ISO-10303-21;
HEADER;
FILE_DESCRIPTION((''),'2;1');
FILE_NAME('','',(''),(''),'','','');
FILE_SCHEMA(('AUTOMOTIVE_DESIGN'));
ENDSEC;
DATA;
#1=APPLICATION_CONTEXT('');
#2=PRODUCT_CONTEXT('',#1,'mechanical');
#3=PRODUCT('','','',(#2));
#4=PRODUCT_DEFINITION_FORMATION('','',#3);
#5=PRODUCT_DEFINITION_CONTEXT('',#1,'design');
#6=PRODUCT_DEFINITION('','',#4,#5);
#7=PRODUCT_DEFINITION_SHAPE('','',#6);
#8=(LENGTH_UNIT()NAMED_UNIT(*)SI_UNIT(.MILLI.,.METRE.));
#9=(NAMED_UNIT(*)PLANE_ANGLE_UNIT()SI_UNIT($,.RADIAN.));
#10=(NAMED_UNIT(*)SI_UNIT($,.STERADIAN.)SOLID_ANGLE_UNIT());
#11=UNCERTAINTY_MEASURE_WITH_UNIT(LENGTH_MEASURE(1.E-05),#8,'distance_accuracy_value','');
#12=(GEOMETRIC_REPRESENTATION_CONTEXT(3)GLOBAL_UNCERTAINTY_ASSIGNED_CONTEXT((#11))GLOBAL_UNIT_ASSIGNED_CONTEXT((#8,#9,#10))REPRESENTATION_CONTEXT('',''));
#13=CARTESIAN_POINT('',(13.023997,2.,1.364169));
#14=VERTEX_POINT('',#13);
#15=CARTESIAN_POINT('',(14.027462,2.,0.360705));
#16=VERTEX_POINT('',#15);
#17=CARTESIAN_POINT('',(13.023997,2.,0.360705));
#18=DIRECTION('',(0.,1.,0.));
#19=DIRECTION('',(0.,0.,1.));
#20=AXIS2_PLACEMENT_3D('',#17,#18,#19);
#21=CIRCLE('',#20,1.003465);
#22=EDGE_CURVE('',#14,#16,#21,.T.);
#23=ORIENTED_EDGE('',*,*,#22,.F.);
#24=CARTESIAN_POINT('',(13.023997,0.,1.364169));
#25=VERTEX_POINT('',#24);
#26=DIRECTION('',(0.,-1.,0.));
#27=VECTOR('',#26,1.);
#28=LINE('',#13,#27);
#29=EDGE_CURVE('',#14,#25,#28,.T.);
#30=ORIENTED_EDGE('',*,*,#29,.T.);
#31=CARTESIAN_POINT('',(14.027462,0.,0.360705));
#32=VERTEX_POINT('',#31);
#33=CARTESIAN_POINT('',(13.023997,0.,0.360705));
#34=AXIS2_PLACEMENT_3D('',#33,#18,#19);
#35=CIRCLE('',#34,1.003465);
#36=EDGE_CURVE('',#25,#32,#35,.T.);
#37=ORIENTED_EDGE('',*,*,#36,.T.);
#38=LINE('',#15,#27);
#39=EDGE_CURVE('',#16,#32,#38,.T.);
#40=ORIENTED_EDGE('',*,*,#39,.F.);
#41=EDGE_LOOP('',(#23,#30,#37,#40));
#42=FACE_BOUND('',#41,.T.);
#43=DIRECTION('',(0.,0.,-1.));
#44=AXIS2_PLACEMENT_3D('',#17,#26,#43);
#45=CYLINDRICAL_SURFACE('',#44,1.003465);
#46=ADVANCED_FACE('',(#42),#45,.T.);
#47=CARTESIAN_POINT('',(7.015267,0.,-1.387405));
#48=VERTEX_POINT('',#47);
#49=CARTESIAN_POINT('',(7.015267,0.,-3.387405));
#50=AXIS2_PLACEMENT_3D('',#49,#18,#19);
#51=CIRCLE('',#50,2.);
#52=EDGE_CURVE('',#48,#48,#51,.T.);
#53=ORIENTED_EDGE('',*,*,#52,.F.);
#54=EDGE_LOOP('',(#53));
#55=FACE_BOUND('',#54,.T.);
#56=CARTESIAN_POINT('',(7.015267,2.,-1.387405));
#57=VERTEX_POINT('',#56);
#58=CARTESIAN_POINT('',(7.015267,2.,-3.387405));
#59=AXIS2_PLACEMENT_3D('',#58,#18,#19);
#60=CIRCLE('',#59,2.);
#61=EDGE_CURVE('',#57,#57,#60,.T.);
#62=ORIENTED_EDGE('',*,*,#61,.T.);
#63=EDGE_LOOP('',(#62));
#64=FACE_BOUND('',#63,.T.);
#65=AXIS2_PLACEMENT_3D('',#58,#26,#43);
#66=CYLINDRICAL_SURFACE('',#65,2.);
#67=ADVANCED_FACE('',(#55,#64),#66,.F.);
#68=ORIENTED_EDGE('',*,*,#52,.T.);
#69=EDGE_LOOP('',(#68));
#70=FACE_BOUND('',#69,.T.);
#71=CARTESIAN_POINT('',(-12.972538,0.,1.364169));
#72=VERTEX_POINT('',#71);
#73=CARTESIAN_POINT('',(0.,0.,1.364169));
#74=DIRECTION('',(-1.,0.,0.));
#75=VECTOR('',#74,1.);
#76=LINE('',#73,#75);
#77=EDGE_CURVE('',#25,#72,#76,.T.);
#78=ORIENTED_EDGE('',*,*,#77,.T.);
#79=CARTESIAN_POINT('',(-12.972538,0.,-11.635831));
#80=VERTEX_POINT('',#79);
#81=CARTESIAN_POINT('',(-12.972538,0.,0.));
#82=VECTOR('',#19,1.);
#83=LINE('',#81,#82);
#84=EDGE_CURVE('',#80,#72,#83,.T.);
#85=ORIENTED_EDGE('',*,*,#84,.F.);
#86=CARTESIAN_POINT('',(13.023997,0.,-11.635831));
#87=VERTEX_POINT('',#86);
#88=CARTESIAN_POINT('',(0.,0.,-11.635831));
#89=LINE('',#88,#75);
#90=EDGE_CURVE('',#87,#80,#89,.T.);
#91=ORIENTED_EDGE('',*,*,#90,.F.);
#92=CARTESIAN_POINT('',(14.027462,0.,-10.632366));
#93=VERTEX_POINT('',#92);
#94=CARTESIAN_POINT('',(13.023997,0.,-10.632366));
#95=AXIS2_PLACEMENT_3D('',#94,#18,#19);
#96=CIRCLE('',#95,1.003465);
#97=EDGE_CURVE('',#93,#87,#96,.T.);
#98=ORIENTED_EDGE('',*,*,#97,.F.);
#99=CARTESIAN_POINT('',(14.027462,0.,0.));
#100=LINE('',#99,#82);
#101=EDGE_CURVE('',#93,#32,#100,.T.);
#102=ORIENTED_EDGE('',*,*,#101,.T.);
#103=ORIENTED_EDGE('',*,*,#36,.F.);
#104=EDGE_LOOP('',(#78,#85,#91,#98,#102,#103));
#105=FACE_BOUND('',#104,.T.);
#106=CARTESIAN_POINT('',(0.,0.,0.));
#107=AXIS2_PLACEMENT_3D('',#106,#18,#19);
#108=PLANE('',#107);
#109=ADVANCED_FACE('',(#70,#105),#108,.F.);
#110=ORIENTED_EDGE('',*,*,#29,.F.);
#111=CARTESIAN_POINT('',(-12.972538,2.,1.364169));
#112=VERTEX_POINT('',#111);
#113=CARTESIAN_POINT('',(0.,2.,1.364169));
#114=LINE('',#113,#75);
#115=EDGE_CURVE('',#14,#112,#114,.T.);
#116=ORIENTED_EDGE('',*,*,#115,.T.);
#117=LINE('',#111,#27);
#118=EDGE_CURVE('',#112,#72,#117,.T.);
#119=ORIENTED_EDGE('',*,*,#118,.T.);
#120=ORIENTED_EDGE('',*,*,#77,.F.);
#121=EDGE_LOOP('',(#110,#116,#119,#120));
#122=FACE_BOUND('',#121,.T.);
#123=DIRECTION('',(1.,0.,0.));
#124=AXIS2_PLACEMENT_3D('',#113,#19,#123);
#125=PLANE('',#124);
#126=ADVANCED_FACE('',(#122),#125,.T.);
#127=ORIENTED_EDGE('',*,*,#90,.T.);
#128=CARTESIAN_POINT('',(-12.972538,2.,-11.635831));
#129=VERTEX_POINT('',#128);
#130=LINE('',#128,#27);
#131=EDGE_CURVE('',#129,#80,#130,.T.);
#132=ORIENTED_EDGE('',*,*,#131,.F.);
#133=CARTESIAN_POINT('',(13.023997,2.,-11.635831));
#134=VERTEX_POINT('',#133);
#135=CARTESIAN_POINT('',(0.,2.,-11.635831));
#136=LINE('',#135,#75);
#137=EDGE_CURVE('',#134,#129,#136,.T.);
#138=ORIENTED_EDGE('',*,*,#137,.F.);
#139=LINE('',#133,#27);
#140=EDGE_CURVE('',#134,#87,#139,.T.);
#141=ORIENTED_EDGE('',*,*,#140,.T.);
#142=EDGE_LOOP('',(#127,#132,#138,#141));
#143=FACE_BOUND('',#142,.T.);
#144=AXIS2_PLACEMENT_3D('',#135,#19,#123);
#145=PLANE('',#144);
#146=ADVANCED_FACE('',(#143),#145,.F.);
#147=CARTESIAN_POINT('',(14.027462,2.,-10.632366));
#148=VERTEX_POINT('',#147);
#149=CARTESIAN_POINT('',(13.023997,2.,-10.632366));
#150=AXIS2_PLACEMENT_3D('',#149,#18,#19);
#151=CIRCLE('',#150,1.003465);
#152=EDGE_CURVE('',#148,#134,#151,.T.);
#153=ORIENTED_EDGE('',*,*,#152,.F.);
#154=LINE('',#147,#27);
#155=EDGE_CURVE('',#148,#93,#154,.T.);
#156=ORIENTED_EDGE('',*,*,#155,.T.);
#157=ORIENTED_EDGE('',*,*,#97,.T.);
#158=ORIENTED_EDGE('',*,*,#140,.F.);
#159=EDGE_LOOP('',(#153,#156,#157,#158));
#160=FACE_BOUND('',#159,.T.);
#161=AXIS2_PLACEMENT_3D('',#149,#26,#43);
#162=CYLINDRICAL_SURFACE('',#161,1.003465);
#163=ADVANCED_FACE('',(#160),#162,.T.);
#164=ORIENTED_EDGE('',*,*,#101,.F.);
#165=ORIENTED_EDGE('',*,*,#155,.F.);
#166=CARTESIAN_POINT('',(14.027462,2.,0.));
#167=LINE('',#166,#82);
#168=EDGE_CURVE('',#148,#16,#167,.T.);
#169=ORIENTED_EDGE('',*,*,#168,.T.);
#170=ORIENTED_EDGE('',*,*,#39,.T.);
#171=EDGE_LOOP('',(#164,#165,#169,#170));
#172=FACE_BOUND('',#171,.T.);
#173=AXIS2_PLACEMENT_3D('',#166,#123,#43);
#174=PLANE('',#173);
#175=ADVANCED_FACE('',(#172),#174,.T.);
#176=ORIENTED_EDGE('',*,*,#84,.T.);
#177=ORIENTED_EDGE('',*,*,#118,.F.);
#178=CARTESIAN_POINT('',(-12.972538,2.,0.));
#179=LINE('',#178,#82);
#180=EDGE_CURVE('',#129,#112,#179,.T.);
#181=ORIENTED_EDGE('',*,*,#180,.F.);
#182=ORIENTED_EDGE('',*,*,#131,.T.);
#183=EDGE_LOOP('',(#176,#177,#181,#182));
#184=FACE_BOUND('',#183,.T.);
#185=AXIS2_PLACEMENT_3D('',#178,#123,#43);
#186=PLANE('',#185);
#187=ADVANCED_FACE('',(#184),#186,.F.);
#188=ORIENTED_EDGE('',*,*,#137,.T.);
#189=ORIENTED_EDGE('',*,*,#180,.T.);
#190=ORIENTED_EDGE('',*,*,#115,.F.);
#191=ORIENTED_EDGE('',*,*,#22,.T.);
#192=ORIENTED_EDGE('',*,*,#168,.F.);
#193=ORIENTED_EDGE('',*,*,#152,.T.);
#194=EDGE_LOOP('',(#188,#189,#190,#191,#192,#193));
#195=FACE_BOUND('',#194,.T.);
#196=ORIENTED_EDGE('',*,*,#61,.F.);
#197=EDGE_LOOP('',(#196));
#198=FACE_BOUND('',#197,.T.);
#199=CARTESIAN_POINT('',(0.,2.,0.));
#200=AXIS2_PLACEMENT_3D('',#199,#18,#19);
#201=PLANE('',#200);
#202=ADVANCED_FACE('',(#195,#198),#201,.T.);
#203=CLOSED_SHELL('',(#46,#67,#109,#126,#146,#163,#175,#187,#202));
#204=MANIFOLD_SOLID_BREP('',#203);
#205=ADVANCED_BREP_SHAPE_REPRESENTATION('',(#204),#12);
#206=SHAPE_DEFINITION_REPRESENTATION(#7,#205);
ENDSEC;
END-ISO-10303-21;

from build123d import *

# Parameters (mm, degrees)
SKETCH1_R           = 2
BOSS_EXTRUDE1_DEPTH = 2


with BuildPart() as part:
    # Sketch1 → Boss-Extrude1 (new body)
    with BuildSketch(Plane(origin=(0, 0, 0), x_dir=(1, 0, 0), z_dir=(0, 1, 0))):
        with BuildLine():
            Line((14.027461704, 3.38740458), (14.027461704, 10.632365856))
            ThreePointArc((14.027461704, 10.632365856), (13.733553665, 11.34192263), (13.023996891, 11.635830669))
            Line((13.023996891, 11.635830669), (-12.972538296, 11.635830669))
            Line((-12.972538296, 11.635830669), (-12.972538296, -1.364169331))
            Line((-12.972538296, -1.364169331), (13.023996891, -1.364169331))
            ThreePointArc((13.023996891, -1.364169331), (13.733553665, -1.070261292), (14.027461704, -0.360704518))
            Line((14.027461704, -0.360704518), (14.027461704, 3.38740458))
        make_face()
        with Locations(Location((7.015267176, 3.38740458, 0), (0, 0, 270))):
            Circle(SKETCH1_R, mode=Mode.SUBTRACT)
    extrude(amount=BOSS_EXTRUDE1_DEPTH)


solid = part.part
